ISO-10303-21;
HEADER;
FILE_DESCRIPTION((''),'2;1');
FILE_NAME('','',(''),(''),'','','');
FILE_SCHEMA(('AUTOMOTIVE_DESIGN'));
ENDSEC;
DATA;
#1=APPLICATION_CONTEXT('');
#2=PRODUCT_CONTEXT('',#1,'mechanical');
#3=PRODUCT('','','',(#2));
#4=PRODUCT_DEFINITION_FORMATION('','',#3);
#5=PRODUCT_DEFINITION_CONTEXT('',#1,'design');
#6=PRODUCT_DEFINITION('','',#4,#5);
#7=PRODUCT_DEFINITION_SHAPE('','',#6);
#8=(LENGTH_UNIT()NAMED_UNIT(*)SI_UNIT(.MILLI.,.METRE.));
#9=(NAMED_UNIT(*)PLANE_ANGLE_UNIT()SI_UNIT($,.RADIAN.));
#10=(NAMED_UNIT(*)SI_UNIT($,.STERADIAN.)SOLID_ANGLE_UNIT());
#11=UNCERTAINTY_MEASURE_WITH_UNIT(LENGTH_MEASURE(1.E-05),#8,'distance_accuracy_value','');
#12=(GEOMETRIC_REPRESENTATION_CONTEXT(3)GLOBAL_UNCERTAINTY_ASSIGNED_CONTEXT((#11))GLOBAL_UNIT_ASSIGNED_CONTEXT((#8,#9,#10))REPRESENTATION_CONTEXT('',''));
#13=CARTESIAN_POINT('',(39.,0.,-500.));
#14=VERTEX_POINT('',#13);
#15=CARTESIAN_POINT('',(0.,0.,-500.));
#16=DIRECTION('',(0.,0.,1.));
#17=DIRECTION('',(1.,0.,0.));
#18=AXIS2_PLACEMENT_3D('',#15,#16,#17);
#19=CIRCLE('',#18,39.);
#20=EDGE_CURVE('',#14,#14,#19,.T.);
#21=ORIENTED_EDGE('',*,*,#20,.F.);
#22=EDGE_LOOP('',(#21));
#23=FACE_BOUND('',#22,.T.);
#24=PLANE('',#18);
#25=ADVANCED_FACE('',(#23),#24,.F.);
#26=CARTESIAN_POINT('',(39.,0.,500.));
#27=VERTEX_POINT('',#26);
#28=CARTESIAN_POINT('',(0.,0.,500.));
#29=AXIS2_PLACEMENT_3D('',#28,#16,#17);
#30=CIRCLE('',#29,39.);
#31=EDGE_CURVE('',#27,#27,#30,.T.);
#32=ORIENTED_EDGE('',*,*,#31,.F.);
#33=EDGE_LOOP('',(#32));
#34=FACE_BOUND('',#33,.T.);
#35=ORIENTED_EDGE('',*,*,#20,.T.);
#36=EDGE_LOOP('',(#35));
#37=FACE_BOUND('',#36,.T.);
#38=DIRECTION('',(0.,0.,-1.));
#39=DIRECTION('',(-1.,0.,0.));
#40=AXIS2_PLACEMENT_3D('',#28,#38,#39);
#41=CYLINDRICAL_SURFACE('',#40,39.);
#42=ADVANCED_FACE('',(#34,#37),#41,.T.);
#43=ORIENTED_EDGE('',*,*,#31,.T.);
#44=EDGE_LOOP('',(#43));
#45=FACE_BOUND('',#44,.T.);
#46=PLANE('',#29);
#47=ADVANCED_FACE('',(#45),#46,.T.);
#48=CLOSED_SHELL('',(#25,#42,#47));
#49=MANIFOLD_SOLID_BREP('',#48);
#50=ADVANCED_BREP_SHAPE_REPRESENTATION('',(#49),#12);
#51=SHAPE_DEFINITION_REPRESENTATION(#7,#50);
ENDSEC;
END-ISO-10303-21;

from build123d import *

# Parameters (mm, degrees)
SKETCH1_R           = 39
BOSS_EXTRUDE1_DEPTH = 500


with BuildPart() as part:
    # Sketch1 → Boss-Extrude1 (new body, symmetric)
    with BuildSketch(Plane.XY):
        Circle(SKETCH1_R)
    extrude(amount=BOSS_EXTRUDE1_DEPTH, both=True)


solid = part.part
